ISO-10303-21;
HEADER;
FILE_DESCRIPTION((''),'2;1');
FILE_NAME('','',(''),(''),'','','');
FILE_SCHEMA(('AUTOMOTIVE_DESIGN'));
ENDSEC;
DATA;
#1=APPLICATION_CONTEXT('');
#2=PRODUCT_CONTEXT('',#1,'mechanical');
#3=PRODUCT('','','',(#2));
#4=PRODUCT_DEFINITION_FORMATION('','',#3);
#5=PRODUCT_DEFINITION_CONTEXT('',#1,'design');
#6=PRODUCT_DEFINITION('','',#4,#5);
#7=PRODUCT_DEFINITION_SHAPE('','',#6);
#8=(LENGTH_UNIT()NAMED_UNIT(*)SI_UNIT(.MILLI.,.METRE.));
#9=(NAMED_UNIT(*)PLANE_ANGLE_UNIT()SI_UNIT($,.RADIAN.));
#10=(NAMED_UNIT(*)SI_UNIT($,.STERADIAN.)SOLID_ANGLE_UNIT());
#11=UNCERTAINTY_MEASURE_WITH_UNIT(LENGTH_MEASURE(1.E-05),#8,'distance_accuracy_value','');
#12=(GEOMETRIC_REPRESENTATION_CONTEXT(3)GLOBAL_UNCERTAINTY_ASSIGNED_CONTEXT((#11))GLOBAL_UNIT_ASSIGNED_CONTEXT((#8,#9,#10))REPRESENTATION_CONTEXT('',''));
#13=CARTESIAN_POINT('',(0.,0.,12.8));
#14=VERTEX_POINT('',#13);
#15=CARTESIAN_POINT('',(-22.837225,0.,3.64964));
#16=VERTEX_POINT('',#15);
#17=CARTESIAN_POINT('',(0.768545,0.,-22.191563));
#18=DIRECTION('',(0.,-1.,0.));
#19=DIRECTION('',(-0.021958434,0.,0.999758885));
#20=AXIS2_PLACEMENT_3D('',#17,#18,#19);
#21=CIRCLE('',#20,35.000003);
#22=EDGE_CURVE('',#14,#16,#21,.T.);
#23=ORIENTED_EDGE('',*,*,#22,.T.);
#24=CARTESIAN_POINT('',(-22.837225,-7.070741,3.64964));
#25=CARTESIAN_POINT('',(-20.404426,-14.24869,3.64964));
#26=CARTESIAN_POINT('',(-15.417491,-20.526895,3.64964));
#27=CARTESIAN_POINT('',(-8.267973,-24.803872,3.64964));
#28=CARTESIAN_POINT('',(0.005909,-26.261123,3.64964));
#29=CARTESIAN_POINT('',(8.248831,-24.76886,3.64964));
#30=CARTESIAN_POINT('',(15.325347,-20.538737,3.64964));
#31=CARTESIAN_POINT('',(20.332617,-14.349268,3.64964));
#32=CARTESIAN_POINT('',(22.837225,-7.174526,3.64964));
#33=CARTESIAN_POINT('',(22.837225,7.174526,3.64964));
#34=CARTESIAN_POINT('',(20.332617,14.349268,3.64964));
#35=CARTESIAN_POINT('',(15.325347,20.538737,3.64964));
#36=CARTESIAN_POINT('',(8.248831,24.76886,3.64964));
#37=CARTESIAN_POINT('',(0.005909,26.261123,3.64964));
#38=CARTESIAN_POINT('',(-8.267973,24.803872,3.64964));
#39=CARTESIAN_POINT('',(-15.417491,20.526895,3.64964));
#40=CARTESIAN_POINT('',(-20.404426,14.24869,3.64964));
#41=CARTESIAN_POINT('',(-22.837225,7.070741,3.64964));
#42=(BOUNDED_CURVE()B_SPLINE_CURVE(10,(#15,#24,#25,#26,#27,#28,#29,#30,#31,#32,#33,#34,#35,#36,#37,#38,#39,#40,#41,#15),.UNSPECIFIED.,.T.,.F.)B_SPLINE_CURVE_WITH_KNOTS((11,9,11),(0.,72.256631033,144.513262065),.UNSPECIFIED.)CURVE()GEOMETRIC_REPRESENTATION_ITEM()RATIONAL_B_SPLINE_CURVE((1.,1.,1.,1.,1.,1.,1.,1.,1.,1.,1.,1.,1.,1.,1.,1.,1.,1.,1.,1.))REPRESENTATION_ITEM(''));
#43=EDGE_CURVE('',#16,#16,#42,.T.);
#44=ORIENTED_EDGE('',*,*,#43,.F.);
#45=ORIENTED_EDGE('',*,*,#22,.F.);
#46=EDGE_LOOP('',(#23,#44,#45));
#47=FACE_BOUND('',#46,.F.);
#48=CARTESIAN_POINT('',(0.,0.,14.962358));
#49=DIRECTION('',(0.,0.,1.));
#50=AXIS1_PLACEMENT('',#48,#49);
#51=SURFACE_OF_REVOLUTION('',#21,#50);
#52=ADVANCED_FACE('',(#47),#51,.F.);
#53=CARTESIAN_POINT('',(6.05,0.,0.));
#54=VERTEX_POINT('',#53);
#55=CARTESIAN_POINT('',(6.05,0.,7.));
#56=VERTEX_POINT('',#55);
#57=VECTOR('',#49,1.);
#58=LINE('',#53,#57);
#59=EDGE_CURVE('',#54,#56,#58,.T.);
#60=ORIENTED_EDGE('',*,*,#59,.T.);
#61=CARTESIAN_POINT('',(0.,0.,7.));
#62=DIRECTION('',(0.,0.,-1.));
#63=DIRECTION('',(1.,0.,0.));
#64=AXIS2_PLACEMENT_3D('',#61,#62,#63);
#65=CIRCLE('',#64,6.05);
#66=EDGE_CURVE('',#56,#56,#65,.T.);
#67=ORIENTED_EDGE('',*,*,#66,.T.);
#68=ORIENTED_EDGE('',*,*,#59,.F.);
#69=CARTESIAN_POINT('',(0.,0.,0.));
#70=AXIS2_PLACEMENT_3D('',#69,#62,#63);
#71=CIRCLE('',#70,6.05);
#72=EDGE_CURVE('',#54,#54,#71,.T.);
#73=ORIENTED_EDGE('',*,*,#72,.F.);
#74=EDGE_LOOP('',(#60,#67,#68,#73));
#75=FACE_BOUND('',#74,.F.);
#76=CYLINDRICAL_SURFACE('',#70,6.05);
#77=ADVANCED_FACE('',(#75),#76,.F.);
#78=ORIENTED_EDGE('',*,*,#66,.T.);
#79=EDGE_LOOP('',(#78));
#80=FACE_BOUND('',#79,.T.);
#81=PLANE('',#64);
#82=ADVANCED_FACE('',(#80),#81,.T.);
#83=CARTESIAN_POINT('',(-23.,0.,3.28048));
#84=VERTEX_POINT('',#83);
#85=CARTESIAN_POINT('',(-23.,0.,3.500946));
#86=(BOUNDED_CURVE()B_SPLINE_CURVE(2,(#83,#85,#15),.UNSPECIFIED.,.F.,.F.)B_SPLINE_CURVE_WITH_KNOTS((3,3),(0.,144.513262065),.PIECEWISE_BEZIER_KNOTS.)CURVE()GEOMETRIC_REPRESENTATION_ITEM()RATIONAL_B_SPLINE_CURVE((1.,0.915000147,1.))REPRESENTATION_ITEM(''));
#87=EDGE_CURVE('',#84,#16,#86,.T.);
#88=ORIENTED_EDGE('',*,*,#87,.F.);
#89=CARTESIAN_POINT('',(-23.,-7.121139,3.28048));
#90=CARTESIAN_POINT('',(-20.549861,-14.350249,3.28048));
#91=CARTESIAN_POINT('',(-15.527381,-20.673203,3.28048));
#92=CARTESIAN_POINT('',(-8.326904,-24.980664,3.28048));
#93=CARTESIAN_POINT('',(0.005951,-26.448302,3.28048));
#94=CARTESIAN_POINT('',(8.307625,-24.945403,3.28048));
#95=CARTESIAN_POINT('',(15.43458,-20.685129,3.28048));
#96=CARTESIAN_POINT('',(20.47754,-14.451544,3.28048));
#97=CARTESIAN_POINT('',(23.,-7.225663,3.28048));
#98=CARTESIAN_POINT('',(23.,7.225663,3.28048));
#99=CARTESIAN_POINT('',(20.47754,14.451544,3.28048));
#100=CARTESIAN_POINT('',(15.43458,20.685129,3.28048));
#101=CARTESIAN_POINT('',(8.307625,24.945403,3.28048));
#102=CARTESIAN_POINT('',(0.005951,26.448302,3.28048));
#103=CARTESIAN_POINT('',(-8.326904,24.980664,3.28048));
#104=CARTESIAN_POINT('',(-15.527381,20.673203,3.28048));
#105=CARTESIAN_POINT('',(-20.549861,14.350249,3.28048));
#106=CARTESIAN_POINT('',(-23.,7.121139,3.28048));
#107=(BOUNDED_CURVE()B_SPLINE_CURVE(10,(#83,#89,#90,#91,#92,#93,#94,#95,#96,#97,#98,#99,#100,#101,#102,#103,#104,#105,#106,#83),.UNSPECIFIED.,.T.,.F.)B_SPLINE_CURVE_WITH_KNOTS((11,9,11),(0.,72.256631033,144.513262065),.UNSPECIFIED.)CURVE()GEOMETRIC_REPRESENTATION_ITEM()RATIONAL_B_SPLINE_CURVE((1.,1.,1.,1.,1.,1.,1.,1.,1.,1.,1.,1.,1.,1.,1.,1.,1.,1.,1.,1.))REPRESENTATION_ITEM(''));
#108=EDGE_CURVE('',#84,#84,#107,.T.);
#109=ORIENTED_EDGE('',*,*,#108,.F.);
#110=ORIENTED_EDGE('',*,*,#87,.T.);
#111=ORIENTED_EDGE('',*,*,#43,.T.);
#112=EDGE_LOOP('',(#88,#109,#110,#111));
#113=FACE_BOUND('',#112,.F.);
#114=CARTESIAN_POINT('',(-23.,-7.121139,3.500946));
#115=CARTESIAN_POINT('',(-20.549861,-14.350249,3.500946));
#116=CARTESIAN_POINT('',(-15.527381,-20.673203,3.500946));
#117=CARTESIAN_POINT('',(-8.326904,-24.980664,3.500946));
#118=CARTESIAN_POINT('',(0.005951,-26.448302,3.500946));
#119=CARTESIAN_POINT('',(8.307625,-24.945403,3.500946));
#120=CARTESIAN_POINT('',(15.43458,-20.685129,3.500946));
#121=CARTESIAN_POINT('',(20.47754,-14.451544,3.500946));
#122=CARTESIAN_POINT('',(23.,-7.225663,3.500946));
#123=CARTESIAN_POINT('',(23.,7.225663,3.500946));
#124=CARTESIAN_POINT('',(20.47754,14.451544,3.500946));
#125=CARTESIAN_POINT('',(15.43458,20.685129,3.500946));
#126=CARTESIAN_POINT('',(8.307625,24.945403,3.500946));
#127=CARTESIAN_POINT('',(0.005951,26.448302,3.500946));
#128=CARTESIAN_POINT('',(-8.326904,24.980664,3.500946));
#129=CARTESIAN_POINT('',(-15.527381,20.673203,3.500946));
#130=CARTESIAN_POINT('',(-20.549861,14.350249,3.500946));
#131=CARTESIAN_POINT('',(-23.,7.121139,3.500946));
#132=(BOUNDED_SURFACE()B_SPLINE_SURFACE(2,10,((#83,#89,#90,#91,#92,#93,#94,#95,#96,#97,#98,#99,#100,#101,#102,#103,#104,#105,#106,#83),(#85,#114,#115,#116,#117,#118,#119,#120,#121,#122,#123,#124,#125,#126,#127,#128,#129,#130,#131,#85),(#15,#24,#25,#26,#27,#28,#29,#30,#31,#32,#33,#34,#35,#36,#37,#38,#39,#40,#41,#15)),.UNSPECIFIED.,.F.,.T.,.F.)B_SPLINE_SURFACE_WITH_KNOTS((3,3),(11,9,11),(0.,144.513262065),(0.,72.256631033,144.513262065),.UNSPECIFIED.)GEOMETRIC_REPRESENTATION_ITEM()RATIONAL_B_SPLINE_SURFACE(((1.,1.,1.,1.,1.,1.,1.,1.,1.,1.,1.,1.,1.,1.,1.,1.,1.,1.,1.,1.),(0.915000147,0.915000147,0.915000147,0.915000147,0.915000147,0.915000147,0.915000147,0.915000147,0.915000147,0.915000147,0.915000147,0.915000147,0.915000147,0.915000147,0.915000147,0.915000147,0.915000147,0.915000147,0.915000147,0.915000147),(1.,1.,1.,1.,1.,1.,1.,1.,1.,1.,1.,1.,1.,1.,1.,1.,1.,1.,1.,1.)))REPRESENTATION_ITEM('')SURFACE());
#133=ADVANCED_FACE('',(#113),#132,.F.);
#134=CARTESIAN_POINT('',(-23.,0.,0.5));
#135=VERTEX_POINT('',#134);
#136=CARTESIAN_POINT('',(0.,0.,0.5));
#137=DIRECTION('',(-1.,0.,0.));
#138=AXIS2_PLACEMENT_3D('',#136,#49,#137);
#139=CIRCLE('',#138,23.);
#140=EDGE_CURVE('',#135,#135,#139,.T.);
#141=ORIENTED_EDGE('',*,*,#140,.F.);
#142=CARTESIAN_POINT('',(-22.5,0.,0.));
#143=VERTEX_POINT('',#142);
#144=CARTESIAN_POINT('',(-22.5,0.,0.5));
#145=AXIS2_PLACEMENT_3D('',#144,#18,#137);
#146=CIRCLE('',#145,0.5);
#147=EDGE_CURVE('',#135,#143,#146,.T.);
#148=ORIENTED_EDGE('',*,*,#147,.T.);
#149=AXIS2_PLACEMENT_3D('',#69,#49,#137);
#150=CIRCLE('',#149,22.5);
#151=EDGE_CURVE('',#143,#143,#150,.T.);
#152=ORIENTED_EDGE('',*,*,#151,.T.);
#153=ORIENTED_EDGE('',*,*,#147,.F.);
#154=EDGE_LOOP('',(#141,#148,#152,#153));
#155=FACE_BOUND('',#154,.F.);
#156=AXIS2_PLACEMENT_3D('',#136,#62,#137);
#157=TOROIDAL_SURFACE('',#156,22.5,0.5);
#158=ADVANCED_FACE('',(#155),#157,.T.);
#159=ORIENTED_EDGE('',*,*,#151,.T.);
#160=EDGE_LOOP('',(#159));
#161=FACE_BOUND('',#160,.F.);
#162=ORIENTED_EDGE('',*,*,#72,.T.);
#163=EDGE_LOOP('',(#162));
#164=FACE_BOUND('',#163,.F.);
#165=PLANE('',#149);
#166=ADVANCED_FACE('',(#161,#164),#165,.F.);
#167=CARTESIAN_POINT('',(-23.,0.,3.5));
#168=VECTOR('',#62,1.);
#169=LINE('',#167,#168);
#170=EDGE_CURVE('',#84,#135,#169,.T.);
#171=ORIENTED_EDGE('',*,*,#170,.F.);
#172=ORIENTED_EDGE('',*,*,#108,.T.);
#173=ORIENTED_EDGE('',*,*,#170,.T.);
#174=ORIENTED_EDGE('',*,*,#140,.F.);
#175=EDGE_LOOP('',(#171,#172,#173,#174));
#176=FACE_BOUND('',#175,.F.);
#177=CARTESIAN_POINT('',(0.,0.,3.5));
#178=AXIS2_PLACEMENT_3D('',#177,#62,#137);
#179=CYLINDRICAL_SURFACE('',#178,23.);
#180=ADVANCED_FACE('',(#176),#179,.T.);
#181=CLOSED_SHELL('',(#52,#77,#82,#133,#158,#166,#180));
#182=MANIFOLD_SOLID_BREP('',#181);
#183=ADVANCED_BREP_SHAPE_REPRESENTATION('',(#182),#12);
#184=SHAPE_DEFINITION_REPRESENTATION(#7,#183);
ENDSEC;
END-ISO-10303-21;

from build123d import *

# Parameters (mm, degrees)
F2_R     = 6.05
F3_DEPTH = 7
F4_R     = 0.5


with BuildPart() as f1:
    # F0 (on Front) → F1 (revolve)
    with BuildSketch(Plane.XZ):
        with BuildLine():
            Line((-23, 3.5), (-23, 0))
            Line((-23, 0), (0, 0))
            Line((0, 0), (0, 12.8))
            ThreePointArc((0, 12.8), (-12.351657, 10.256248), (-23, 3.5))
        make_face()
    revolve(axis=Axis((0, 0, 14.962358), (0, 0, 1)))

    # F2 (on face) → F3 (cut)
    with BuildSketch(Plane(origin=(0, 0, 0), x_dir=(1, 0, 0), z_dir=(0, 0, -1))):
        Circle(F2_R)
    extrude(amount=-F3_DEPTH, mode=Mode.SUBTRACT)

    # F4
    f4_edges = [f1.edges().sort_by_distance(p)[0] for p in [
        (23, 0, 0),
        (23, 0, 3.5),
    ]]
    fillet(f4_edges, radius=F4_R)


solid = f1.part
